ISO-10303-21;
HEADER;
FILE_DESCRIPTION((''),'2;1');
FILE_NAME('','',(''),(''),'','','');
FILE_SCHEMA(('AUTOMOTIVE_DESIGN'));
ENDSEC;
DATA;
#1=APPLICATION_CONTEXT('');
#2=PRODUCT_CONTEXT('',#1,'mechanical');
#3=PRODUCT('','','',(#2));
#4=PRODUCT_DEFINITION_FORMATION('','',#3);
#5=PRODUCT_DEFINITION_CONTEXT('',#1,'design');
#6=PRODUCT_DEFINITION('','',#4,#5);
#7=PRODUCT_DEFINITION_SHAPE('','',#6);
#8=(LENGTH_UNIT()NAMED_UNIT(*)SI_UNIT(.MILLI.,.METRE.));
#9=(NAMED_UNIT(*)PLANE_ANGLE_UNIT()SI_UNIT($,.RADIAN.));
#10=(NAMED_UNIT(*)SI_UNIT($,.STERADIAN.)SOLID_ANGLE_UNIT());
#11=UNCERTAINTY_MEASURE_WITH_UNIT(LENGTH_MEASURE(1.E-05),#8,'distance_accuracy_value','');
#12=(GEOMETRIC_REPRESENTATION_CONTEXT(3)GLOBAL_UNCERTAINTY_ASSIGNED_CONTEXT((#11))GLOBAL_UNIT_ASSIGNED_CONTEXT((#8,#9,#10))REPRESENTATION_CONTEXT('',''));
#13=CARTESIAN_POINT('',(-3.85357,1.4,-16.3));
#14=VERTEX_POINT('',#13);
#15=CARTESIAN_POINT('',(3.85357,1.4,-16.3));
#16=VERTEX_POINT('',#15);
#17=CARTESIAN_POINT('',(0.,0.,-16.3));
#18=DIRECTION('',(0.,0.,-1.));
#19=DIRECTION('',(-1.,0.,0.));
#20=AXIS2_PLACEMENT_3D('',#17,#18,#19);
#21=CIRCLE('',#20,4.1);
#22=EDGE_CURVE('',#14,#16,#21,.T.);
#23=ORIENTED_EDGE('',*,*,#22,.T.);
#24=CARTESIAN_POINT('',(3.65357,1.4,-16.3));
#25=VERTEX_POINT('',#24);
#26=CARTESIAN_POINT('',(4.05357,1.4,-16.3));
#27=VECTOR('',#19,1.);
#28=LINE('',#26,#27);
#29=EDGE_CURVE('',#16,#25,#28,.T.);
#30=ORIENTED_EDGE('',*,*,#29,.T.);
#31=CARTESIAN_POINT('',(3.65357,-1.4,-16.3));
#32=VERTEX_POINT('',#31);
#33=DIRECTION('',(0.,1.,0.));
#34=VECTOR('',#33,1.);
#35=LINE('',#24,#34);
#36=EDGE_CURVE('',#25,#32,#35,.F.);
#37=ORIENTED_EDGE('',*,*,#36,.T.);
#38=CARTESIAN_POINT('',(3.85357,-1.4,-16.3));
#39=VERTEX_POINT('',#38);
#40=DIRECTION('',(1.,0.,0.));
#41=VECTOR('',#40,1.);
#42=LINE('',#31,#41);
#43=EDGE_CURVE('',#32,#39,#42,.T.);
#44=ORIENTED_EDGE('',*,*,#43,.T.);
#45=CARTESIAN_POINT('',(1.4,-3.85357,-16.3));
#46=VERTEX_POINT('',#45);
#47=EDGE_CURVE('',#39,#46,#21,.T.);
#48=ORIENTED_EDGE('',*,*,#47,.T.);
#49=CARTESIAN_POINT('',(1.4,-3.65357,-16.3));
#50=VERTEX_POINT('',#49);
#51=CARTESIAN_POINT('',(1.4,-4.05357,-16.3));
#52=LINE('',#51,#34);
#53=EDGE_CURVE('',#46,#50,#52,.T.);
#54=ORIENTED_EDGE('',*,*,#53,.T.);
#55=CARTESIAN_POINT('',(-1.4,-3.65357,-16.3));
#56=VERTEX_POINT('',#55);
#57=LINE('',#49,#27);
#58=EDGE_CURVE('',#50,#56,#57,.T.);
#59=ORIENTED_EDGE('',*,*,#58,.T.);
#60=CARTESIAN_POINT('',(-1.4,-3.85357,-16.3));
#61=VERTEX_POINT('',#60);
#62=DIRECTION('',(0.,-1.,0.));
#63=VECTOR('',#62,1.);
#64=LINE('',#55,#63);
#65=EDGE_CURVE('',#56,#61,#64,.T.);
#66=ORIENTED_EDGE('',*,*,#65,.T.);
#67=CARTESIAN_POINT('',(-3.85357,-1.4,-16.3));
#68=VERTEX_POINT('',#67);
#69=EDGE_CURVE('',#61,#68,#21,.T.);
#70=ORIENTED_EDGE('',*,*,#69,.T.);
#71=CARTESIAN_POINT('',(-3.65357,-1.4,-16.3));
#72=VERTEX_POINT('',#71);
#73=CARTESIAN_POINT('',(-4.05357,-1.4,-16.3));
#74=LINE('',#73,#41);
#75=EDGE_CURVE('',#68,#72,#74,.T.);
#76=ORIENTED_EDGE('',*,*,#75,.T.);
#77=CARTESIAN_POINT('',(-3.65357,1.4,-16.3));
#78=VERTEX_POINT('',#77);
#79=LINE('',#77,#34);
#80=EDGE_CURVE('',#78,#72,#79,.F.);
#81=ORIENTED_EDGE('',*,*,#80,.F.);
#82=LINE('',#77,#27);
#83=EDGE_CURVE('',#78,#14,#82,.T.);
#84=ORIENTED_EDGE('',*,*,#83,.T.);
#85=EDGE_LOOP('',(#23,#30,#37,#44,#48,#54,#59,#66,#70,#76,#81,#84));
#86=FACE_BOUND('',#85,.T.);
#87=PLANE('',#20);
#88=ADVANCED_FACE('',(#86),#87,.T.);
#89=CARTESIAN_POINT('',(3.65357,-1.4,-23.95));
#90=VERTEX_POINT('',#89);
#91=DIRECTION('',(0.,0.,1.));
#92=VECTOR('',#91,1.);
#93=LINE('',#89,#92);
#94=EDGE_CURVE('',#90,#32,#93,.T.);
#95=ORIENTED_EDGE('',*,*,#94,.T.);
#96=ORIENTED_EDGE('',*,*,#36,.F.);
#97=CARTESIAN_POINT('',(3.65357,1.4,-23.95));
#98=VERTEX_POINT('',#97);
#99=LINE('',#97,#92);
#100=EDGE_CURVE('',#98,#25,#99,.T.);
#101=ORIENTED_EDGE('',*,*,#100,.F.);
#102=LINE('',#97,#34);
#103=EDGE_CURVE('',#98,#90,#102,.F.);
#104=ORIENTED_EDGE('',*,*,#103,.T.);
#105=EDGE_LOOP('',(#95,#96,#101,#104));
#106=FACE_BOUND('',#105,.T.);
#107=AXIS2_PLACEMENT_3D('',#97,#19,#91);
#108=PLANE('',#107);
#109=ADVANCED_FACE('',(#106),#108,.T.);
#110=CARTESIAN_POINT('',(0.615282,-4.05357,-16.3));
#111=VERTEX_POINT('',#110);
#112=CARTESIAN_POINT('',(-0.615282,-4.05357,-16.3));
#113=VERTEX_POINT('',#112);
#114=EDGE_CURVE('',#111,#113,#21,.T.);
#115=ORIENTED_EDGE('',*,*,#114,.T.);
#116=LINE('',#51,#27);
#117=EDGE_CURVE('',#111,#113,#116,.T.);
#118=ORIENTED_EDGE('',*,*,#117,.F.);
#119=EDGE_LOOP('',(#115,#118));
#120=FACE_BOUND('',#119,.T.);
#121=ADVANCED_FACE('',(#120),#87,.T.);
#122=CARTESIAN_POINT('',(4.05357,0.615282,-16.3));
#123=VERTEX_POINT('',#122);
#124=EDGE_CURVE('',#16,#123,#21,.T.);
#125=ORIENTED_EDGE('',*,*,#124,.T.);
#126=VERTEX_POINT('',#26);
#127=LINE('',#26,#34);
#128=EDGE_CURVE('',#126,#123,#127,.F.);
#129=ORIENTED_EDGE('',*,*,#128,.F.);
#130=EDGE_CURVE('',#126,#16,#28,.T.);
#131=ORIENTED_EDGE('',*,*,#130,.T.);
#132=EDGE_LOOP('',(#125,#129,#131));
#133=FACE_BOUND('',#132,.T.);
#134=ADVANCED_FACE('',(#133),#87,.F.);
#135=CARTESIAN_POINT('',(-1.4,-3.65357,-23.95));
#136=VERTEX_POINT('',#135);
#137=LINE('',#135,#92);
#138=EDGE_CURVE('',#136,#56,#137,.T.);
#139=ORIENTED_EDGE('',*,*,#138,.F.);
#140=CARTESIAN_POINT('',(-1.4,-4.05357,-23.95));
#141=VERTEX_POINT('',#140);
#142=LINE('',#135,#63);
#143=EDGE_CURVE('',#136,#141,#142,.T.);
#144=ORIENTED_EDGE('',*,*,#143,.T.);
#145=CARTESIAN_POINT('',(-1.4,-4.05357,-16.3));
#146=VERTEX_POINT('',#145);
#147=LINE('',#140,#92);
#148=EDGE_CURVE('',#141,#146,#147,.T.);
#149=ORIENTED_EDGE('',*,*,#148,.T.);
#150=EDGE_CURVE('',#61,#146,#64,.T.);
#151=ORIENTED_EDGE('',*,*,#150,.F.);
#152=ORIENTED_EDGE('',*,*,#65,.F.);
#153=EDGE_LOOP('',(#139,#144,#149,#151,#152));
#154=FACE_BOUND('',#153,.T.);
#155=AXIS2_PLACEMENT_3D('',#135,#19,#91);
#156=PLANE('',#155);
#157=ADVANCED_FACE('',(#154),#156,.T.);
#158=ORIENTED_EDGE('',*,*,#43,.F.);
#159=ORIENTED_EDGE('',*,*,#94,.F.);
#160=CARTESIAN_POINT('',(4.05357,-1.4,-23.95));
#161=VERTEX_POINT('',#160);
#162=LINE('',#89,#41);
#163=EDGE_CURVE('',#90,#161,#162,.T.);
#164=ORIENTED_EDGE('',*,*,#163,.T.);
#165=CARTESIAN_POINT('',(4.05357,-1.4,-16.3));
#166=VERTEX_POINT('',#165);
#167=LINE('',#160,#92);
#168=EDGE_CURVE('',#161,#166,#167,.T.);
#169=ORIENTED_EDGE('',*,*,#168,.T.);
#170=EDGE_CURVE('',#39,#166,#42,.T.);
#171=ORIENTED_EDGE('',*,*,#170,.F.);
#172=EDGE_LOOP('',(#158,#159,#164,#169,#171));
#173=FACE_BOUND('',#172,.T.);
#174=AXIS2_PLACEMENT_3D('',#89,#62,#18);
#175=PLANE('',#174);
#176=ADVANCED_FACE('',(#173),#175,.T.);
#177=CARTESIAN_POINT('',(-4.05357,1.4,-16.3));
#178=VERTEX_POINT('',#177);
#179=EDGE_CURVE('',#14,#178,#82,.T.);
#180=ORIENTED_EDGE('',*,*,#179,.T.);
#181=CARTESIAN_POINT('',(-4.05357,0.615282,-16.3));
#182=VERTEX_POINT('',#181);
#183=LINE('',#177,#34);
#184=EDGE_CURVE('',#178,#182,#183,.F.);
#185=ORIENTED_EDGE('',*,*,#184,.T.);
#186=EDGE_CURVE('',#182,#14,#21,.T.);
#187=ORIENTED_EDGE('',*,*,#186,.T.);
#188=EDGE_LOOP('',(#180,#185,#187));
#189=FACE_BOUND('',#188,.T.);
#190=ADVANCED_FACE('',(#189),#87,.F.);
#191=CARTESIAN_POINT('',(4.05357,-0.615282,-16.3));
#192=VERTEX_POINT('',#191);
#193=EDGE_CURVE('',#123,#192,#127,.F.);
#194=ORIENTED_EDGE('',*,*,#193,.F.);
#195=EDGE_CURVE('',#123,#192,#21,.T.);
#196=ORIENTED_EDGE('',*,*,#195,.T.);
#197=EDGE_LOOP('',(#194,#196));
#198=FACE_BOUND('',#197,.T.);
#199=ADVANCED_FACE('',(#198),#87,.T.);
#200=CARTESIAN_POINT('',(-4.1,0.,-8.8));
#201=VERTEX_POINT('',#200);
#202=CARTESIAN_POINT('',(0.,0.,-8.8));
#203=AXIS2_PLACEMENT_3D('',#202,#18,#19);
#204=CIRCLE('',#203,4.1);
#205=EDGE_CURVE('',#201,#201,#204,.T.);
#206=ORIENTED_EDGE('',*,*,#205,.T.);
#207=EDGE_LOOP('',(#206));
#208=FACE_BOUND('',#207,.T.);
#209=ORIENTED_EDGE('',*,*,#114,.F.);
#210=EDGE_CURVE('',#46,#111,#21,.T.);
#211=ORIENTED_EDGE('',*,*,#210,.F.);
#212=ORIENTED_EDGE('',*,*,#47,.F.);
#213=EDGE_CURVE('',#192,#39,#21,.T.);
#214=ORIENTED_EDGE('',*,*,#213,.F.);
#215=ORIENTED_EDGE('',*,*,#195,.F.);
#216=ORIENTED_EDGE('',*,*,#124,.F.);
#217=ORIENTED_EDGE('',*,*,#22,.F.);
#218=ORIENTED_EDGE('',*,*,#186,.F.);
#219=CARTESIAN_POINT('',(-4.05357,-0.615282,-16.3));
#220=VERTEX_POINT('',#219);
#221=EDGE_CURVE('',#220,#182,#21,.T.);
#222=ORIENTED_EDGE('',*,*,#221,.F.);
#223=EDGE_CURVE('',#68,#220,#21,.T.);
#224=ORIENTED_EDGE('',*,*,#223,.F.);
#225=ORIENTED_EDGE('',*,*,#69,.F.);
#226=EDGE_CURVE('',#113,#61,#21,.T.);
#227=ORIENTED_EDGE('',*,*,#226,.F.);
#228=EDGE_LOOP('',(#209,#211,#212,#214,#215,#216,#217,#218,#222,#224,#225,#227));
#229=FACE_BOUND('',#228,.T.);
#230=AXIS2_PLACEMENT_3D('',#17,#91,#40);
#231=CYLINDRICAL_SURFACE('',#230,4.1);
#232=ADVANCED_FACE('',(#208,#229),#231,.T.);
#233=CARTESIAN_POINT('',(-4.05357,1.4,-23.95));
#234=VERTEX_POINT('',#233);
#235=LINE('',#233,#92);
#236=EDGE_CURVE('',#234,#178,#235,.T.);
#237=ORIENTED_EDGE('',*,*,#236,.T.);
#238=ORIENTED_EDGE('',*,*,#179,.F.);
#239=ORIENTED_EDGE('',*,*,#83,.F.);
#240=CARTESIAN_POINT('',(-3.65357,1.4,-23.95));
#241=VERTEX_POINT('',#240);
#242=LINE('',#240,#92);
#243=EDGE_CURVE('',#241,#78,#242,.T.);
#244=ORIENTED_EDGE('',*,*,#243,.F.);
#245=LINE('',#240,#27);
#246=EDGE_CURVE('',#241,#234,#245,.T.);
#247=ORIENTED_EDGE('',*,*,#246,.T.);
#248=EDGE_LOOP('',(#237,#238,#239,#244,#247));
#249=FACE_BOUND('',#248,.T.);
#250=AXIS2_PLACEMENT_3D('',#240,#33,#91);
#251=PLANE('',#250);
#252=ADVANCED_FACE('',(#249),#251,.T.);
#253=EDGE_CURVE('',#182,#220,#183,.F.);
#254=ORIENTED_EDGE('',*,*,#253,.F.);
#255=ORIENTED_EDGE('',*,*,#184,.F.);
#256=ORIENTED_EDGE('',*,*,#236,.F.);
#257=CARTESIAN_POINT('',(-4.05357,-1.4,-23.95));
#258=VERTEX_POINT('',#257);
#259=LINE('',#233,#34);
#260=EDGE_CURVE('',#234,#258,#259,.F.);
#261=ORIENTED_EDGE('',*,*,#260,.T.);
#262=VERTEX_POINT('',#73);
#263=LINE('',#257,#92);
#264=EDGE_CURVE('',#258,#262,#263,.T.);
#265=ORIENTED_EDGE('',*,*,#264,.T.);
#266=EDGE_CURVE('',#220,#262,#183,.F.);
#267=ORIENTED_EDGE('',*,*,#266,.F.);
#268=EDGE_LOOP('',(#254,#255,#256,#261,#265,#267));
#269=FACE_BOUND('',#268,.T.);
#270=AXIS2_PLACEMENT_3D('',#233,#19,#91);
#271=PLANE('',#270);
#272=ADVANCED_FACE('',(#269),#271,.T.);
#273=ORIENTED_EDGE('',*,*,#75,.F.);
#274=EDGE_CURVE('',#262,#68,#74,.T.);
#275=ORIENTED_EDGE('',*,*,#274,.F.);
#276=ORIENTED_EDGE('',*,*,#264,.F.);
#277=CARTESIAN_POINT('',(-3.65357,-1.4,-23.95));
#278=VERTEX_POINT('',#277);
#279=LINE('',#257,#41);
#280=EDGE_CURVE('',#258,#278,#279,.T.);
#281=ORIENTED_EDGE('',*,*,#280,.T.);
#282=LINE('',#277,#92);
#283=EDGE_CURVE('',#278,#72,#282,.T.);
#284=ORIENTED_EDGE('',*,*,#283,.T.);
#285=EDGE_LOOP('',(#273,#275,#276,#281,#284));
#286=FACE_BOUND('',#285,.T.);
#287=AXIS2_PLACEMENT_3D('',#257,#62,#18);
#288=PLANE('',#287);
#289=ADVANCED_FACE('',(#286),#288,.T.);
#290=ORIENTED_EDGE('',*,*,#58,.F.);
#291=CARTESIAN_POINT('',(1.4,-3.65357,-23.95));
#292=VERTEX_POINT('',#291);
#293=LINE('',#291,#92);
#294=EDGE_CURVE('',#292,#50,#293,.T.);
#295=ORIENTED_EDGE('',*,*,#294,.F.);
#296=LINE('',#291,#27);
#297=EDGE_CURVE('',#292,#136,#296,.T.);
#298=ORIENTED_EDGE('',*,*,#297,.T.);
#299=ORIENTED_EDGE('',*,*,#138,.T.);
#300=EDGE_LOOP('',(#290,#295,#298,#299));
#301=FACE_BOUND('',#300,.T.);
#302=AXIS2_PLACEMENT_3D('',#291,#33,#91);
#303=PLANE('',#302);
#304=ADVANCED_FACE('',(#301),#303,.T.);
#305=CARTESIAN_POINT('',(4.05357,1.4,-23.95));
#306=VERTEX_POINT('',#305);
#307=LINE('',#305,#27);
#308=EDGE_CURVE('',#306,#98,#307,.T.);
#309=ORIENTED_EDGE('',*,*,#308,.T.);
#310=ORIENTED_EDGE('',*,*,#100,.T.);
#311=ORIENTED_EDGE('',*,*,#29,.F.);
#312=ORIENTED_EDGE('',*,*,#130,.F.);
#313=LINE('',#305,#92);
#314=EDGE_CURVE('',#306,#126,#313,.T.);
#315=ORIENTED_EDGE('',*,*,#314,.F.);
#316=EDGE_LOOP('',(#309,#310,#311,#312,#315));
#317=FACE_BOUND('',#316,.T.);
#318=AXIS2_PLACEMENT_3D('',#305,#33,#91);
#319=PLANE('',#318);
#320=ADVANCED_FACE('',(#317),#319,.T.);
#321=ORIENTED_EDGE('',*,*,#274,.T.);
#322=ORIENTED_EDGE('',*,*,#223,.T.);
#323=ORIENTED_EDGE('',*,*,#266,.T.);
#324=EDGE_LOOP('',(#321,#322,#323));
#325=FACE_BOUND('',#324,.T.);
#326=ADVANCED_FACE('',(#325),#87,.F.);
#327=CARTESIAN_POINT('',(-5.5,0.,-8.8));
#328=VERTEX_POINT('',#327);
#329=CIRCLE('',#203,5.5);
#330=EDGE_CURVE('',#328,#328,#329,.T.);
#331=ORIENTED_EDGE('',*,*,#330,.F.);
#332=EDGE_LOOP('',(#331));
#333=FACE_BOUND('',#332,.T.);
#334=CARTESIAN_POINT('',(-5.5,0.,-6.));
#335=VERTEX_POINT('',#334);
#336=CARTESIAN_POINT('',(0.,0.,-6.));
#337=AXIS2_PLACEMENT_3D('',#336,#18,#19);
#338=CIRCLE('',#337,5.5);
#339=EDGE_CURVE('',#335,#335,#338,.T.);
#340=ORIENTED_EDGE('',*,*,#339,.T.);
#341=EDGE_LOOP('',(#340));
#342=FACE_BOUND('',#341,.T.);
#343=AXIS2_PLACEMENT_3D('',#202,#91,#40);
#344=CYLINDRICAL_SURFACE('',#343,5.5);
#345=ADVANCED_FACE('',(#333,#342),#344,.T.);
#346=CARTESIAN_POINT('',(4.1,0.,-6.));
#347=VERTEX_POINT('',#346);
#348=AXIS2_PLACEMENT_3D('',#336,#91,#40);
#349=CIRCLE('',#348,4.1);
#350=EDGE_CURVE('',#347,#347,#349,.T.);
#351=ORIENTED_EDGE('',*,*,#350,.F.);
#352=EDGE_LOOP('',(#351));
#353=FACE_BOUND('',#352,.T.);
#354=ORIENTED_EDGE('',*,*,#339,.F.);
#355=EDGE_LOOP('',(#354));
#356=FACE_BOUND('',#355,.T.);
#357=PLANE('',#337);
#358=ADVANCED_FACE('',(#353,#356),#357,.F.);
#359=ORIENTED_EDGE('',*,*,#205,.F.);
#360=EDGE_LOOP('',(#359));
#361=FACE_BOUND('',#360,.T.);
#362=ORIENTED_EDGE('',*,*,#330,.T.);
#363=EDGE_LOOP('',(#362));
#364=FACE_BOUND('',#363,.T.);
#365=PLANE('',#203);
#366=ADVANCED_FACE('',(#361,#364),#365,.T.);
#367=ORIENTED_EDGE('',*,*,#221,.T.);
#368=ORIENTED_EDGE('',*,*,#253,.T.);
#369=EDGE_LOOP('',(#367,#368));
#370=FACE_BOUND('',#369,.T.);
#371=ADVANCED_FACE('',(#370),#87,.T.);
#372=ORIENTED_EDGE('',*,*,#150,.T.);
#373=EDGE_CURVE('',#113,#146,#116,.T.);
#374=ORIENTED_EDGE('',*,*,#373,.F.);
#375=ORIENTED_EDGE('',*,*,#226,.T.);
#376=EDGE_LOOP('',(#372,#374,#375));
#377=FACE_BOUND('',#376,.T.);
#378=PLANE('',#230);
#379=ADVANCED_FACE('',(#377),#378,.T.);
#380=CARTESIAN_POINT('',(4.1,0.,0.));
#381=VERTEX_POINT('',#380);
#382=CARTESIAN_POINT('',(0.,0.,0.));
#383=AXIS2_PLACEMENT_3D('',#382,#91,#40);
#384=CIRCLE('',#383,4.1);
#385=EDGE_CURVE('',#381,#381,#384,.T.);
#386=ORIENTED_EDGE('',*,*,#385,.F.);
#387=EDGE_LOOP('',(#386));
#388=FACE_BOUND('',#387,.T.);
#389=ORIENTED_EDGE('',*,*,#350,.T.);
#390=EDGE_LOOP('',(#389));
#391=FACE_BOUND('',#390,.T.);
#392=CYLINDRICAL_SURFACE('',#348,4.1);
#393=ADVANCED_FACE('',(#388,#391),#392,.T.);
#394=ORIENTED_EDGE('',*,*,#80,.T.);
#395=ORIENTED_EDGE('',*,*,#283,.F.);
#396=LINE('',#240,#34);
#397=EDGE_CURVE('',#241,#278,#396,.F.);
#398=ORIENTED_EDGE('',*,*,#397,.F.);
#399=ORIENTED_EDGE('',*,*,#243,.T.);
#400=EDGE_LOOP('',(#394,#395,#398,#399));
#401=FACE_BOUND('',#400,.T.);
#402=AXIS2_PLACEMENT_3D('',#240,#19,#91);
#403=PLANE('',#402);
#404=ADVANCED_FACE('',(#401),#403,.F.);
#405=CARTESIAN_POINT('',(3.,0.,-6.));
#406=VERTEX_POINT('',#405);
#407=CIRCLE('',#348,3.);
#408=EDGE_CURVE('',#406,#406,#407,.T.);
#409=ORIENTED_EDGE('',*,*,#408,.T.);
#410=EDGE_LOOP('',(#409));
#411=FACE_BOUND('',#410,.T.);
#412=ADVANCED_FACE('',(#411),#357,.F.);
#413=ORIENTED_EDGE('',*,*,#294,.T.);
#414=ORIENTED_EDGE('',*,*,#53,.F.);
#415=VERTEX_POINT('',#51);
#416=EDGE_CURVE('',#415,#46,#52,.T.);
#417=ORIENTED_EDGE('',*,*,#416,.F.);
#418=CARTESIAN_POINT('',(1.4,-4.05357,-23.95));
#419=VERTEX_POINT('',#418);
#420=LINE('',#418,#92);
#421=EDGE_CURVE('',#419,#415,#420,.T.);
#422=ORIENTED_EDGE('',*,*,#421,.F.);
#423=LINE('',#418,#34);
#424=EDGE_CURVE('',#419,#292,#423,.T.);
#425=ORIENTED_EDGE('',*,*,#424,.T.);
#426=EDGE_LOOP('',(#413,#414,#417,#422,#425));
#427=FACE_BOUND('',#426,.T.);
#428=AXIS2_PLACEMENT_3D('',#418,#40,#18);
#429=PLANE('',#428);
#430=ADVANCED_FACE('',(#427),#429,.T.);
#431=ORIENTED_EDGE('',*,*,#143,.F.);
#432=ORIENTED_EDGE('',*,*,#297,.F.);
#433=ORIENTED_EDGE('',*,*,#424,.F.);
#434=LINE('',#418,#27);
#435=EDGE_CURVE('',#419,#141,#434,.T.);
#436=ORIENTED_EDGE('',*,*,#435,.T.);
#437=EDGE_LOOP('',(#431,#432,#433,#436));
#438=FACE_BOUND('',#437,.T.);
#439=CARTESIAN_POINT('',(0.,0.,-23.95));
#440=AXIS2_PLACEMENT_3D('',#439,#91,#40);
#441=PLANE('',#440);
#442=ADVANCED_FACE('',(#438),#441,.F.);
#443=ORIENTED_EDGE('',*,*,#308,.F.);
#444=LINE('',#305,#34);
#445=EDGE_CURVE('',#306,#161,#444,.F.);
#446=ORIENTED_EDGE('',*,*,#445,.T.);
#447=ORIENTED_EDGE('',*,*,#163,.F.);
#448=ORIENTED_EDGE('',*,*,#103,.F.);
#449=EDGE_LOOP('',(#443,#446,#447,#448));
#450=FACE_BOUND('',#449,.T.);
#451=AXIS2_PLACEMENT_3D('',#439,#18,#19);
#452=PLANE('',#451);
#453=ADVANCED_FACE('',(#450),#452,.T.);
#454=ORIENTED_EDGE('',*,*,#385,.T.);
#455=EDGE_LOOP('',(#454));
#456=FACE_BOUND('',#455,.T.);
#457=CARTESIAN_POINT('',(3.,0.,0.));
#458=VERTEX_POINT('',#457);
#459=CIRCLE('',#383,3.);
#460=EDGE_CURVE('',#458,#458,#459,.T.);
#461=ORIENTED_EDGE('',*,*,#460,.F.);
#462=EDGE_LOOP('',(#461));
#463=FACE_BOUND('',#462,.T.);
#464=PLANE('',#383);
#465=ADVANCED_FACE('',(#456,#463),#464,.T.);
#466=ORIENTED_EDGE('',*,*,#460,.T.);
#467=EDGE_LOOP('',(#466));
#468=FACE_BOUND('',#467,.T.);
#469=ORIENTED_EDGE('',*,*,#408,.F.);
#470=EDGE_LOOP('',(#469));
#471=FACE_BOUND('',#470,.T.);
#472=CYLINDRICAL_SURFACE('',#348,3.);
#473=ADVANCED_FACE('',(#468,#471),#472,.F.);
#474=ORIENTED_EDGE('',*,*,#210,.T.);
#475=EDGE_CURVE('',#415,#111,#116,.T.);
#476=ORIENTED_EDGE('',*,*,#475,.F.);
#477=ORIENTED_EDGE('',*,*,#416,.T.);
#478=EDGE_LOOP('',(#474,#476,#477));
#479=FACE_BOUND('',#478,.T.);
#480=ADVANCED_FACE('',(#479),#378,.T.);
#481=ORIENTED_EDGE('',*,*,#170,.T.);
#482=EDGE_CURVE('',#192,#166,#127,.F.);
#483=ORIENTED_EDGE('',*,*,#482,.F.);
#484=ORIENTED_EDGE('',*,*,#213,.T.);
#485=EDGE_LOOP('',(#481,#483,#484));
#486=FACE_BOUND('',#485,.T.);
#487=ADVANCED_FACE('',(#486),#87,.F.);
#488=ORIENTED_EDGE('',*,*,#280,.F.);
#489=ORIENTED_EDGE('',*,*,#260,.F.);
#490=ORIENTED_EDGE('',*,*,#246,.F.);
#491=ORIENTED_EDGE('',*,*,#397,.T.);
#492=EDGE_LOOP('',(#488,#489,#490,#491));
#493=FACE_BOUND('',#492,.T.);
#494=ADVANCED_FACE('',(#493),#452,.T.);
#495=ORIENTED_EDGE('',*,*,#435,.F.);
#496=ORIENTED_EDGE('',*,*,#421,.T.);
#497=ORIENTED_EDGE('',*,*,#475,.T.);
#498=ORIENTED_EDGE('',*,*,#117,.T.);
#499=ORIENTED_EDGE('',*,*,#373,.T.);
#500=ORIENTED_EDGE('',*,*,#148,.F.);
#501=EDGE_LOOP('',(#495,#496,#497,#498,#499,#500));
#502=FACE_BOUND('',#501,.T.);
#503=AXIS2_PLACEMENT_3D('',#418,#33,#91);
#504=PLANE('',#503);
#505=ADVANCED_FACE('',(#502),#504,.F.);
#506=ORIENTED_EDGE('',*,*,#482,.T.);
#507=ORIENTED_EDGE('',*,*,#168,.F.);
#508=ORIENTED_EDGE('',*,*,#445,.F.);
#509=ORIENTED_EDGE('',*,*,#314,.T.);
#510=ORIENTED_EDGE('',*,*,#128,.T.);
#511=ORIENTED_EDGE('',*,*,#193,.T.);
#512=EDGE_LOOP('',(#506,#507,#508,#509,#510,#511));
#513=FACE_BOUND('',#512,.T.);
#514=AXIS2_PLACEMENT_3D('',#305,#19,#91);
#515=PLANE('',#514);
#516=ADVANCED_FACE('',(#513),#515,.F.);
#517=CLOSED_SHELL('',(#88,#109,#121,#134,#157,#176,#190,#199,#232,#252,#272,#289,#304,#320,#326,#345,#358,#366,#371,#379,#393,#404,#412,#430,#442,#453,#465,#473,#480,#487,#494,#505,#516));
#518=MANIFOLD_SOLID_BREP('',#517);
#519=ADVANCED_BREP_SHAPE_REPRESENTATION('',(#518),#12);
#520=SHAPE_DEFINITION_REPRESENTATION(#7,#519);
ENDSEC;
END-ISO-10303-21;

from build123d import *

# Parameters (mm, degrees)
SKETCH1_R           = 4.1
SKETCH1_R_2         = 3
BOSS_EXTRUDE1_DEPTH = 6
SKETCH2_R           = 5.5
BOSS_EXTRUDE2_DEPTH = 2.8
SKETCH3_R           = 4.1
BOSS_EXTRUDE3_DEPTH = 7.5
SKETCH4_W           = 0.4
SKETCH4_H           = 2.8
SKETCH4_W_2         = 2.8
SKETCH4_H_2         = 0.4
EXTRUDE_THIN1_DEPTH = 7.65


with BuildPart() as part:
    # Sketch1 → Boss-Extrude1 (new body)
    with BuildSketch(Plane.XY):
        Circle(SKETCH1_R)
        Circle(SKETCH1_R_2, mode=Mode.SUBTRACT)
    extrude(amount=-BOSS_EXTRUDE1_DEPTH)

    # Sketch2 → Boss-Extrude2 (add)
    with BuildSketch(Plane(origin=(0, 0, -6), x_dir=(-1, 0, 0), z_dir=(0, 0, -1))):
        Circle(SKETCH2_R)
    extrude(amount=BOSS_EXTRUDE2_DEPTH)

    # Sketch3 → Boss-Extrude3 (add)
    with BuildSketch(Plane(origin=(0, 0, -8.8), x_dir=(-1, 0, 0), z_dir=(0, 0, -1))):
        Circle(SKETCH3_R)
    extrude(amount=BOSS_EXTRUDE3_DEPTH)

    # Sketch4 → Extrude-Thin1 (add)
    with BuildSketch(Plane(origin=(0, 0, -16.3), x_dir=(-1, 0, 0), z_dir=(0, 0, -1))):
        with Locations((-3.853569774, 0)):
            Rectangle(SKETCH4_W, SKETCH4_H)
        with Locations((0, -3.853569774)):
            Rectangle(SKETCH4_W_2, SKETCH4_H_2)
        with Locations((3.853569774, 0)):
            Rectangle(SKETCH4_W, SKETCH4_H)
    extrude(amount=EXTRUDE_THIN1_DEPTH)


solid = part.part
